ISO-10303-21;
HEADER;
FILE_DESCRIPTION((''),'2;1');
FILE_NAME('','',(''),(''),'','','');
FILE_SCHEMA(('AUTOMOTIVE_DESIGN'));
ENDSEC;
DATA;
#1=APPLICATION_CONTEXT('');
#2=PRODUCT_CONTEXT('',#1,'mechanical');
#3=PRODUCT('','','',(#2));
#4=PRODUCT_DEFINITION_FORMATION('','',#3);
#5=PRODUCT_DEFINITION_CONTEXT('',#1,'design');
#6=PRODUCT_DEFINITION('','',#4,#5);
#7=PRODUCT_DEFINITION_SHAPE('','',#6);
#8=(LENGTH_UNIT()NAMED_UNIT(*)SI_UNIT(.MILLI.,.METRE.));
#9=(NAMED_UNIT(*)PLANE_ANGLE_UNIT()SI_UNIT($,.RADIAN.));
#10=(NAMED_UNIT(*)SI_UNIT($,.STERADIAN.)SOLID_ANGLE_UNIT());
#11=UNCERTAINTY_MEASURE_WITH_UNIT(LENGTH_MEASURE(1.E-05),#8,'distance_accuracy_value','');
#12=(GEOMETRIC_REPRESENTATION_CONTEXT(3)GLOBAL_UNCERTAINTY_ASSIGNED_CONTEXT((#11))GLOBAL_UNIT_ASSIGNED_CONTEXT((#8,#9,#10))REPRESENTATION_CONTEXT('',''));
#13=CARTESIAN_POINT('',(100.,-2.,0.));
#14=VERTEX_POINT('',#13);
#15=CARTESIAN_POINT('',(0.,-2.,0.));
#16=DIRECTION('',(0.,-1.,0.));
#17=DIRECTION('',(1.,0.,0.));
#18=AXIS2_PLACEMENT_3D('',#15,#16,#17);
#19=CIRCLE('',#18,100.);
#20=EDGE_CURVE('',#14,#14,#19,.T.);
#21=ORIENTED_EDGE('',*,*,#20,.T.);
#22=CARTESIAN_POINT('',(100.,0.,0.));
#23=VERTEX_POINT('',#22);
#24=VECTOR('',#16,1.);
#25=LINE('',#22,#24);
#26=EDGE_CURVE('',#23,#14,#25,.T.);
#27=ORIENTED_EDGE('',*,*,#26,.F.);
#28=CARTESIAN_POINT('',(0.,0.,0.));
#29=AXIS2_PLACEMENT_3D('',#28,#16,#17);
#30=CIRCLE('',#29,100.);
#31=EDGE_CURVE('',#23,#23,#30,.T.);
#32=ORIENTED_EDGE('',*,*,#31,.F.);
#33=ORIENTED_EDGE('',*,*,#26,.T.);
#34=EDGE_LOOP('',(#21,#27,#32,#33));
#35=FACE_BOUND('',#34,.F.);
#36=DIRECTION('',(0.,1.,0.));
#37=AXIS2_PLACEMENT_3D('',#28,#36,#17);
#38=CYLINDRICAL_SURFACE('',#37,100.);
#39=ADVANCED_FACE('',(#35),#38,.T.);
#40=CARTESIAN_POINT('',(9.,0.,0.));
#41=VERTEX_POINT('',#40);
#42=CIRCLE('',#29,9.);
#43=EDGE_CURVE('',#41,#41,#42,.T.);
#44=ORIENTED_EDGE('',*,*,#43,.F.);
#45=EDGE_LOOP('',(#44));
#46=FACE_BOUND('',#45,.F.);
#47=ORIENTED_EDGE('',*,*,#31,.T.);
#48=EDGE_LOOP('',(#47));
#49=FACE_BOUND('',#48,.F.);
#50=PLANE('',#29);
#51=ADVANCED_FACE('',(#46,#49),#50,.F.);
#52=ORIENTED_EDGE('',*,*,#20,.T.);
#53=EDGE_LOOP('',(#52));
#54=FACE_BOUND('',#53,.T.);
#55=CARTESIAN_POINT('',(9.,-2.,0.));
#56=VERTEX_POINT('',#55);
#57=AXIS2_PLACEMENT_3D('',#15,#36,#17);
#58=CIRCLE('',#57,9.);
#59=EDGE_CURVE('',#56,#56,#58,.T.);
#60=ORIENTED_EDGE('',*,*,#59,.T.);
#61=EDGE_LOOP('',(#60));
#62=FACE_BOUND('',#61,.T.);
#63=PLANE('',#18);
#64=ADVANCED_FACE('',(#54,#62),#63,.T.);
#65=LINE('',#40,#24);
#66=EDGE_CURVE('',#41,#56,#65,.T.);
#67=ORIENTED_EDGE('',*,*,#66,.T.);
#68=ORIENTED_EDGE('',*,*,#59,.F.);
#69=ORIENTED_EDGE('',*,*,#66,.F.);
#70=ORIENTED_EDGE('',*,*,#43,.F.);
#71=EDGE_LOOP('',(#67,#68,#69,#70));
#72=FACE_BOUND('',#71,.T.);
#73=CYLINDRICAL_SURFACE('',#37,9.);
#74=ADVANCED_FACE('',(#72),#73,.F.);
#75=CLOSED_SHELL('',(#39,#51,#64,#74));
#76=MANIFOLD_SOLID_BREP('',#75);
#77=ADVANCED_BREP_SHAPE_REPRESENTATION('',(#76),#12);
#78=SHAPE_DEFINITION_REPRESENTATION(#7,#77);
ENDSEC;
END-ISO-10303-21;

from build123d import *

# Parameters (mm, degrees)
SKETCH_R          = 100
PAD_DEPTH         = 2
SKETCH001_R       = 9
POCKET_DEPTH      = 0.001
POCKET_DEPTH_BACK = -2.001


with BuildPart() as part:
    # Sketch → Pad (new body)
    with BuildSketch(Plane.XZ):
        Circle(SKETCH_R)
    extrude(amount=PAD_DEPTH)

    # Sketch001 → Pocket (cut, two sides)
    with BuildSketch(Plane.XZ) as pocket_sk:
        Circle(SKETCH001_R)
    extrude(amount=-POCKET_DEPTH, mode=Mode.SUBTRACT)
    extrude(pocket_sk.sketch, amount=-POCKET_DEPTH_BACK, mode=Mode.SUBTRACT)


solid = part.part
